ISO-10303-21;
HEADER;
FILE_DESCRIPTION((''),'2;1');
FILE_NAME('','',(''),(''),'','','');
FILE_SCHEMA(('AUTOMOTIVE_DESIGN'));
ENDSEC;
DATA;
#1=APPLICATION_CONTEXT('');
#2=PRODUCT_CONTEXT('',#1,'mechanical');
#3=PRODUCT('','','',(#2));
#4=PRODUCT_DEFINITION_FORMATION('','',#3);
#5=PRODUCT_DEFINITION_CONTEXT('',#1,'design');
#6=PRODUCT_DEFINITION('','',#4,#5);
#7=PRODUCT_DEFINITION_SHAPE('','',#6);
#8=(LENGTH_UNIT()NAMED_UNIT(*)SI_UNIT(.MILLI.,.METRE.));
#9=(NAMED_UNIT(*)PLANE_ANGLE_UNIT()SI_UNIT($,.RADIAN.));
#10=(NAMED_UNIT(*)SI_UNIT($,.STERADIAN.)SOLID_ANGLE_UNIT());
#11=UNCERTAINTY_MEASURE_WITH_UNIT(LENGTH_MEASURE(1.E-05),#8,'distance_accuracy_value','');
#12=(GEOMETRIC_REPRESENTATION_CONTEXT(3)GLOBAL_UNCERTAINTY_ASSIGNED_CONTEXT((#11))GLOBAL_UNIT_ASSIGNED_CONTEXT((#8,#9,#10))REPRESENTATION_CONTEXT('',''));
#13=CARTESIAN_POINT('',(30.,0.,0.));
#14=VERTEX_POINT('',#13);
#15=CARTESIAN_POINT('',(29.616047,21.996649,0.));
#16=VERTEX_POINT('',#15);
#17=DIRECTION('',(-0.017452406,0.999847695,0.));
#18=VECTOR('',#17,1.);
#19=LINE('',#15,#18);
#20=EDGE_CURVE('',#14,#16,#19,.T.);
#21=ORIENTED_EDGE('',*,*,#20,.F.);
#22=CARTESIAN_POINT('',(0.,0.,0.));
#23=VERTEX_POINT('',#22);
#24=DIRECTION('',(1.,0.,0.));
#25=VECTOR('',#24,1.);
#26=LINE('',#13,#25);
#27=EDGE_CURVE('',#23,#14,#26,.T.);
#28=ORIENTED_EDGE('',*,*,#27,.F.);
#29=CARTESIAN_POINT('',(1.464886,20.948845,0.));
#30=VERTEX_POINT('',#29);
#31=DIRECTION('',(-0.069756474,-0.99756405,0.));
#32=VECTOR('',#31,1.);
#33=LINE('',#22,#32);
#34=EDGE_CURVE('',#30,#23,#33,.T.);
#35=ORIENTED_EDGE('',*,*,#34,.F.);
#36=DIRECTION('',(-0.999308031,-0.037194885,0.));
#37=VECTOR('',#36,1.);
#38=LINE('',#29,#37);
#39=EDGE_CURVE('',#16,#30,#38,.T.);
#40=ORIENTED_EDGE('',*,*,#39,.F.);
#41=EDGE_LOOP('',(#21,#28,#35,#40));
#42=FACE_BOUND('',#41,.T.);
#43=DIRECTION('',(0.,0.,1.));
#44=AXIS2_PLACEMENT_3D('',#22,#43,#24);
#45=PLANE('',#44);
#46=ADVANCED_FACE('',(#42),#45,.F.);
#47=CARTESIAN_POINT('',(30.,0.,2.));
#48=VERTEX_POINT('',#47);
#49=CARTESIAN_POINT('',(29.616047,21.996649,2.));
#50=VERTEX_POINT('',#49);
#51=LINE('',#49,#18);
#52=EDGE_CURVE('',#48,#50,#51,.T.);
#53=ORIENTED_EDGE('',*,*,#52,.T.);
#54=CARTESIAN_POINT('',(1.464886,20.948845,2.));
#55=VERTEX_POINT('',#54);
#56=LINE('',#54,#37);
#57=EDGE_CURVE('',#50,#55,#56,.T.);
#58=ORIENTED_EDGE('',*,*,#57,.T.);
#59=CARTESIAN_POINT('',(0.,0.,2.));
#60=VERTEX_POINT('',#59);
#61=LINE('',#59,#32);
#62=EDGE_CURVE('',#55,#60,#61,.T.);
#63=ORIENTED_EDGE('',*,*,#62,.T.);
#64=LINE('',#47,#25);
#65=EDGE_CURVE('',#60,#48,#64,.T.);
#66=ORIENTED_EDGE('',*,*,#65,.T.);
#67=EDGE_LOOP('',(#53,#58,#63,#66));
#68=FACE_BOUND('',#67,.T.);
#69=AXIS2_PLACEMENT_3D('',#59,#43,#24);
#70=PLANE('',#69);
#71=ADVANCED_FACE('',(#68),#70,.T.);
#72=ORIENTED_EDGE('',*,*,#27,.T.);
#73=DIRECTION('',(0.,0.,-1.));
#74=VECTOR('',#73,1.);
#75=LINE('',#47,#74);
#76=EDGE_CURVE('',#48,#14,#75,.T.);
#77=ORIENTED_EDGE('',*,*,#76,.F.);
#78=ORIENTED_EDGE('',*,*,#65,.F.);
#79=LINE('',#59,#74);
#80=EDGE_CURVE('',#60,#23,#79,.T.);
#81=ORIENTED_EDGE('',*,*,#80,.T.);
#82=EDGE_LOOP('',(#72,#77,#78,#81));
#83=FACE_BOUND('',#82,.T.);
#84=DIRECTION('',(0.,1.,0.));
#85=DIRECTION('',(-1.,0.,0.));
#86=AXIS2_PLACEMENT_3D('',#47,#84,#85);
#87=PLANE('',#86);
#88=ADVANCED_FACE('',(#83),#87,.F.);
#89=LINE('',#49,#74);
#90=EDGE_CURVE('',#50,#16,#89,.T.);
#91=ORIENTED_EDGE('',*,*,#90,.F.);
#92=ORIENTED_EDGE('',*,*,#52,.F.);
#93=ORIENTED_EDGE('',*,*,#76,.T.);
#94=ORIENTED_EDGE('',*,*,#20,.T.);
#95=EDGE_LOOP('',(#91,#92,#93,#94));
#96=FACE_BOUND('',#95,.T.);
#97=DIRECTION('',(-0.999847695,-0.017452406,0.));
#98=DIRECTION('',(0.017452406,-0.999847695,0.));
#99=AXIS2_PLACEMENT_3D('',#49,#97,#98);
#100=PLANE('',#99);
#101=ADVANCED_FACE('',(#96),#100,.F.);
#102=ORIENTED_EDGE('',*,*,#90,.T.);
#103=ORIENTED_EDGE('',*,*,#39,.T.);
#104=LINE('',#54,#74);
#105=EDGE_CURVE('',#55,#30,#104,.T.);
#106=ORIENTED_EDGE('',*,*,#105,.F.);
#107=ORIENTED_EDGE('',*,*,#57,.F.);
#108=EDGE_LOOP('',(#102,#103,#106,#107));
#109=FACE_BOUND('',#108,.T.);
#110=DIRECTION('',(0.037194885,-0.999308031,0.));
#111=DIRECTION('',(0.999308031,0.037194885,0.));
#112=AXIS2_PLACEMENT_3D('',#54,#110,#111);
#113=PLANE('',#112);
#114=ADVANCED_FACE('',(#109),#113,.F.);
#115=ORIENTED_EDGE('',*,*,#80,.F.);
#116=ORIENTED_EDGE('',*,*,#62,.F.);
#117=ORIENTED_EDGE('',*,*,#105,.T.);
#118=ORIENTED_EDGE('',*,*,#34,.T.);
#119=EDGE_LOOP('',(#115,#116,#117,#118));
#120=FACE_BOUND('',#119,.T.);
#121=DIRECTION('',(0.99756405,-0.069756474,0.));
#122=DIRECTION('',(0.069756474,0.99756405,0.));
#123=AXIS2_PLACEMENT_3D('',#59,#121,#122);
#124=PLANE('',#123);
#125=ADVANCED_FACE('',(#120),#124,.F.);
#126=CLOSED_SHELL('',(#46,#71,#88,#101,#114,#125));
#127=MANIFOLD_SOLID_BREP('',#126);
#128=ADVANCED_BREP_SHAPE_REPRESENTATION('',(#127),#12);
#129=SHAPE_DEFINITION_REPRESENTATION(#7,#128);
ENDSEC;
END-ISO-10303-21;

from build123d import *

# Parameters (mm, degrees)
AUFSATZ_LINEAR_AUSTRAGEN1_DEPTH = 2


with BuildPart() as part:
    # Skizze1 → Aufsatz-Linear austragen1 (new body)
    with BuildSketch(Plane.XY):
        Polygon((0, 0), (1.464885949, 20.948845055), (29.616047058, 21.996649293), (30, 0), align=None)
    extrude(amount=AUFSATZ_LINEAR_AUSTRAGEN1_DEPTH)


solid = part.part
